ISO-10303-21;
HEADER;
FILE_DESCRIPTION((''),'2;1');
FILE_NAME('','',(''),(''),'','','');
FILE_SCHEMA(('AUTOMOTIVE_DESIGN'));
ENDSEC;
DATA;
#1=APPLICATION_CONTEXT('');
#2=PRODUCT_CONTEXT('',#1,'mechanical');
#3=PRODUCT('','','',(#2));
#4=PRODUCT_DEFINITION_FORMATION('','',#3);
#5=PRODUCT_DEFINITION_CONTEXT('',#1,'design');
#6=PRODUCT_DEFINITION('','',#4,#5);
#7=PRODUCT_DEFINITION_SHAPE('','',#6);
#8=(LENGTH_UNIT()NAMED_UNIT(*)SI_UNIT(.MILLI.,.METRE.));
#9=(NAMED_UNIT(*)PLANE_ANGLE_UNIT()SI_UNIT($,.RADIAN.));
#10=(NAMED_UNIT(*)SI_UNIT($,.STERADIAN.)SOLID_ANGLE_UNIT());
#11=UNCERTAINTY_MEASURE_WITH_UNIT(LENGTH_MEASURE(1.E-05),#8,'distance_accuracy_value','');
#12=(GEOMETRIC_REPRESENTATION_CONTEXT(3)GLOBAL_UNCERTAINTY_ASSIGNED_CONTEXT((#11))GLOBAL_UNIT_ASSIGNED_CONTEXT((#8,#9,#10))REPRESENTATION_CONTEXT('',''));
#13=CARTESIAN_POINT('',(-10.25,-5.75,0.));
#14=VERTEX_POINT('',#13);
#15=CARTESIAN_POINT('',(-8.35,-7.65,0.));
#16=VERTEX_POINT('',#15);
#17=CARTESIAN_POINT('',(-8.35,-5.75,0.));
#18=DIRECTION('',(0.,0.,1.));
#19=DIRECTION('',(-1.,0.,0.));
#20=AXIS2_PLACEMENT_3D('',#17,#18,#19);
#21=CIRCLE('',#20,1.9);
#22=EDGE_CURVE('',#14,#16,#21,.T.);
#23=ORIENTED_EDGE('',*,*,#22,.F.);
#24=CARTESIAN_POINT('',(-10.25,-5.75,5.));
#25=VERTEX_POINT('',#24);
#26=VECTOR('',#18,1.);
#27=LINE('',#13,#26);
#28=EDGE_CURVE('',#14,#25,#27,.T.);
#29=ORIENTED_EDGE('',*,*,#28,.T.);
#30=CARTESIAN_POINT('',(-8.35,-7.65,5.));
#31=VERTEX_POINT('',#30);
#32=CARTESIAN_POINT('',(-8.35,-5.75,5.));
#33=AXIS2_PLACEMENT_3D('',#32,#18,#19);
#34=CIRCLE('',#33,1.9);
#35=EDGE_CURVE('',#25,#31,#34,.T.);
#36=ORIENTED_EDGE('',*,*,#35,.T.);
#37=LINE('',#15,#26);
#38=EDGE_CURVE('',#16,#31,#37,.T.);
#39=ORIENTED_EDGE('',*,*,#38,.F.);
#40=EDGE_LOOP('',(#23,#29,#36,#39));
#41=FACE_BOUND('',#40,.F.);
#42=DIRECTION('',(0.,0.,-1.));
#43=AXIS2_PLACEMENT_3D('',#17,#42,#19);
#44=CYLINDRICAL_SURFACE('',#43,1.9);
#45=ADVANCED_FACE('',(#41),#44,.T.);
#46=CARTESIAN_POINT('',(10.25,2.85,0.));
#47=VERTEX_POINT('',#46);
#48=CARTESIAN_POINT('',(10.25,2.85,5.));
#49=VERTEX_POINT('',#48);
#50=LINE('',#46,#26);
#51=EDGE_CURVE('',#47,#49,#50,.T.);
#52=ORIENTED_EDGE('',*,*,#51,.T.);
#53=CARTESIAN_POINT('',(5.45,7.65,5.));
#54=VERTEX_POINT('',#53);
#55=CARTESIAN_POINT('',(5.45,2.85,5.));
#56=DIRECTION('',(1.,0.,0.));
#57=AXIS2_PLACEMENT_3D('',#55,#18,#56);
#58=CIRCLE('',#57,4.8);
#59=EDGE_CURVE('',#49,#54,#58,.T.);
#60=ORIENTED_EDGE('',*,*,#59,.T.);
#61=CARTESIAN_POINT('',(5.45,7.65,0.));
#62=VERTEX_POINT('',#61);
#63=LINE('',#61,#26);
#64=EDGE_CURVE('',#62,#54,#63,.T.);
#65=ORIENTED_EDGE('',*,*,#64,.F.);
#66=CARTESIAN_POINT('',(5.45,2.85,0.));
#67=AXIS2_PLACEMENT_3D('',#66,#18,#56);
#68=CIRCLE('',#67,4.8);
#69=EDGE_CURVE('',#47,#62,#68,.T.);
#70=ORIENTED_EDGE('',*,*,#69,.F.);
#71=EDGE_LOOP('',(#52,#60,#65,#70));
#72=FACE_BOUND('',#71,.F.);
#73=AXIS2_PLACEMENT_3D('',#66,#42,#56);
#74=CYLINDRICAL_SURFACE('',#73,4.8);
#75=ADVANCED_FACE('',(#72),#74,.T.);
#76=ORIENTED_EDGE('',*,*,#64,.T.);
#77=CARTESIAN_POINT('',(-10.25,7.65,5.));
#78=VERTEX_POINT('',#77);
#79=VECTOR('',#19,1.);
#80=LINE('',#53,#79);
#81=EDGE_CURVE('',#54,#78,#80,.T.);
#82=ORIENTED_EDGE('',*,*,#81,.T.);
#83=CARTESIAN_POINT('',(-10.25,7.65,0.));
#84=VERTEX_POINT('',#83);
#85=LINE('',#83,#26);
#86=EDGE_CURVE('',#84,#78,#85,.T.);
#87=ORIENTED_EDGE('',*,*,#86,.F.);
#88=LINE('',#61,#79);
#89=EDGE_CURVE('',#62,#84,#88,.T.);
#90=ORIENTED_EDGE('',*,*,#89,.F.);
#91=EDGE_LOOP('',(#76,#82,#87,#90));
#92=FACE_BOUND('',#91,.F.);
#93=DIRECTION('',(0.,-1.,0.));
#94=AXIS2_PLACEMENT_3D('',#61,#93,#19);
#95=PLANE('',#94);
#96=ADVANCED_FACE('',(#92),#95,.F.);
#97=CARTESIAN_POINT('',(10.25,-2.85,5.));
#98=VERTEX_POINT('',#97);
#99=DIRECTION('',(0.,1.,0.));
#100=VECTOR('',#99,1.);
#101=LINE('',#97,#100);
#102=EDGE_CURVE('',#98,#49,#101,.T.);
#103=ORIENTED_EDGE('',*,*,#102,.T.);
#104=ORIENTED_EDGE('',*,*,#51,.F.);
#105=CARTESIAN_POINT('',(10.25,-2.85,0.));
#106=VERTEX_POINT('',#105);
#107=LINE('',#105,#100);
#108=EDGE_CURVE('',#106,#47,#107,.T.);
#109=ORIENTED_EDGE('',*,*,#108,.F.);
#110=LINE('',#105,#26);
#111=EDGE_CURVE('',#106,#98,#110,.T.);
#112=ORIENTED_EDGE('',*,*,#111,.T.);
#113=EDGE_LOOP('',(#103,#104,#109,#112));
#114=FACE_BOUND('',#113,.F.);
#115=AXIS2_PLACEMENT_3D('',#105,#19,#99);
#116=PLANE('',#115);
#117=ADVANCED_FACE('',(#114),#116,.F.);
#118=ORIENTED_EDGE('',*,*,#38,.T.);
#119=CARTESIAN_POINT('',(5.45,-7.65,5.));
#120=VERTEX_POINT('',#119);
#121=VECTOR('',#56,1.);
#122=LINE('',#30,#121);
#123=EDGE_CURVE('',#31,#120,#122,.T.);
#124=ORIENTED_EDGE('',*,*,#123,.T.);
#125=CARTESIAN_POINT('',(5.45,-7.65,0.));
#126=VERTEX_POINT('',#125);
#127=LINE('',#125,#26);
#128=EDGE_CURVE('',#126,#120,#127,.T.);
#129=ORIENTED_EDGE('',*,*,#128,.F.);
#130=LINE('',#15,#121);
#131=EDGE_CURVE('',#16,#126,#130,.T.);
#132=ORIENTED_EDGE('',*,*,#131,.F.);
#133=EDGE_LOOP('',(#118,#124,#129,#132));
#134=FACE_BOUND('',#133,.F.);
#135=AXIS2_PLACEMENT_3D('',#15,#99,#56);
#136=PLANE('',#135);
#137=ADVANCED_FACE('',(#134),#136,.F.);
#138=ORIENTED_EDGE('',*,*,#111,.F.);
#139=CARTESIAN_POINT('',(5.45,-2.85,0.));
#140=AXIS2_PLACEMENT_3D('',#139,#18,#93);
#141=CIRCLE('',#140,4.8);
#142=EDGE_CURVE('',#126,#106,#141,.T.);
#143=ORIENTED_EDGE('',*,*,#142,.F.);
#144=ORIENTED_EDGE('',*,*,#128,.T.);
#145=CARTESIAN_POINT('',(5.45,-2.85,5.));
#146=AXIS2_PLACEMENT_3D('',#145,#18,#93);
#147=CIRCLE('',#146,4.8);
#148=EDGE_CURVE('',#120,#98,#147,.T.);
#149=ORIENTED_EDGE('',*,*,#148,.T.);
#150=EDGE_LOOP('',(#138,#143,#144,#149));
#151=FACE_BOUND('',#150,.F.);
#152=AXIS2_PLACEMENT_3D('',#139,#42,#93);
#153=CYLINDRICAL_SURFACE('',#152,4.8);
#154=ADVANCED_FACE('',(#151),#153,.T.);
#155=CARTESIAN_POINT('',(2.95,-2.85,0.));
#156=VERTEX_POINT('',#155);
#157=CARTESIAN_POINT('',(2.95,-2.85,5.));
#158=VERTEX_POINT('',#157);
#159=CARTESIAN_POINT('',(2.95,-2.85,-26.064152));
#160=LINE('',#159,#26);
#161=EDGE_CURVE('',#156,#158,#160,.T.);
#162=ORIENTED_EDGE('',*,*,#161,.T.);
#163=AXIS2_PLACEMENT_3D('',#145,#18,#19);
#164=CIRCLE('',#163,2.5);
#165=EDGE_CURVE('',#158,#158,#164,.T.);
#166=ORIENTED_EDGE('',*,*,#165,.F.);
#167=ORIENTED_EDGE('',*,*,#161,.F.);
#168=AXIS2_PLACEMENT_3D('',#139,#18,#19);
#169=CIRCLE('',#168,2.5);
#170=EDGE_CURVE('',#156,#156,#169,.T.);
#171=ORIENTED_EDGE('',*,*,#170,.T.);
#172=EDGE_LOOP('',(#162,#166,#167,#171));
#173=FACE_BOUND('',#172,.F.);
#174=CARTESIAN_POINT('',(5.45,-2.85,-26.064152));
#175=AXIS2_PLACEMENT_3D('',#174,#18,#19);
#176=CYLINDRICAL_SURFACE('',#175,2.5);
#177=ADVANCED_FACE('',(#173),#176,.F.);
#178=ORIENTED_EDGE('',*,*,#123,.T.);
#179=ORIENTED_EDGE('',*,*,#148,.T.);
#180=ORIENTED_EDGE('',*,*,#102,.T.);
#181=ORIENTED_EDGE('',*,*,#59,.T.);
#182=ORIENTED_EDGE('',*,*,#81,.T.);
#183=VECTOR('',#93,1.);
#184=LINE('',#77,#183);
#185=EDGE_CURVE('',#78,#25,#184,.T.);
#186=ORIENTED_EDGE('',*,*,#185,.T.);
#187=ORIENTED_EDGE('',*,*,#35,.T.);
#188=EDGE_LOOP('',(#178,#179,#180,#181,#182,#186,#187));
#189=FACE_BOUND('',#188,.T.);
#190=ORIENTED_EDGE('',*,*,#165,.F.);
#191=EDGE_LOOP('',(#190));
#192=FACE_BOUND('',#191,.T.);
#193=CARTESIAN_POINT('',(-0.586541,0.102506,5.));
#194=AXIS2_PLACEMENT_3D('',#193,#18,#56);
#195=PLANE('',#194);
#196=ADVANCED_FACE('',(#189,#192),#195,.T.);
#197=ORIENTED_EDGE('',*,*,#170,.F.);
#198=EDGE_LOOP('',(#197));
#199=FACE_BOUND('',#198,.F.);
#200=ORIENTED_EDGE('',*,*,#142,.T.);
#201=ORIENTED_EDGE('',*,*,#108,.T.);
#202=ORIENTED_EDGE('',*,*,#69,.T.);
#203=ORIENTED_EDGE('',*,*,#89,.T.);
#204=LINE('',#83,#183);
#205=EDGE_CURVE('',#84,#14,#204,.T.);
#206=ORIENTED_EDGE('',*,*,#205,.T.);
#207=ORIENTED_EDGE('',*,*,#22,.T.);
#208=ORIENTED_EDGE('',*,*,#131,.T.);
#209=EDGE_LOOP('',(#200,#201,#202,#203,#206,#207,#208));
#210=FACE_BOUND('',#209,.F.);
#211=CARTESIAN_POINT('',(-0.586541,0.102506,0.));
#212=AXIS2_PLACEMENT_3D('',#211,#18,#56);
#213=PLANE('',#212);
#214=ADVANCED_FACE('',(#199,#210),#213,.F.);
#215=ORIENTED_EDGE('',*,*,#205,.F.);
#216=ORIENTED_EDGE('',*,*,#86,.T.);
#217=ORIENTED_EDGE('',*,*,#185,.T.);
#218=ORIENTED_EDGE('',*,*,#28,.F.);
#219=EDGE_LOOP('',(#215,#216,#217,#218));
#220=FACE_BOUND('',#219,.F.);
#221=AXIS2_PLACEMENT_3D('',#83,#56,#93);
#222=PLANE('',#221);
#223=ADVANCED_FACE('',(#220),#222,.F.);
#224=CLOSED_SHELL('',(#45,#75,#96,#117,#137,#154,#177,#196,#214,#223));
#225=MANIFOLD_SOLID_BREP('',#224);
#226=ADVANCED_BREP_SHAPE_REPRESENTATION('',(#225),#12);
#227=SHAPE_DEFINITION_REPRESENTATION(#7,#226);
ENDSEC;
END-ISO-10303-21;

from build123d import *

# Parameters (mm, degrees)
F1_DEPTH = 5
F2_D     = 5


with BuildPart() as f1:
    # F0 (on Top) → F1 (new body)
    with BuildSketch(Plane.XY):
        with BuildLine():
            Line((5.45, 7.65), (-10.25, 7.65))
            Line((-10.25, 7.65), (-10.25, -5.75))
            ThreePointArc((-10.25, -5.75), (-9.6935028843, -7.0935028843), (-8.35, -7.65))
            Line((-8.35, -7.65), (5.45, -7.65))
            ThreePointArc((5.45, -7.65), (8.8441125497, -6.2441125497), (10.25, -2.85))
            Line((10.25, -2.85), (10.25, 2.85))
            ThreePointArc((10.25, 2.85), (8.8441125497, 6.2441125497), (5.45, 7.65))
        make_face()
    extrude(amount=F1_DEPTH)

    # F2 (through all)
    with Locations(Plane(origin=(0, 0, 0), x_dir=(1, 0, 0), z_dir=(0, 0, -1))):
        with Locations((5.45, 2.85)):
            Hole(F2_D / 2)


solid = f1.part
